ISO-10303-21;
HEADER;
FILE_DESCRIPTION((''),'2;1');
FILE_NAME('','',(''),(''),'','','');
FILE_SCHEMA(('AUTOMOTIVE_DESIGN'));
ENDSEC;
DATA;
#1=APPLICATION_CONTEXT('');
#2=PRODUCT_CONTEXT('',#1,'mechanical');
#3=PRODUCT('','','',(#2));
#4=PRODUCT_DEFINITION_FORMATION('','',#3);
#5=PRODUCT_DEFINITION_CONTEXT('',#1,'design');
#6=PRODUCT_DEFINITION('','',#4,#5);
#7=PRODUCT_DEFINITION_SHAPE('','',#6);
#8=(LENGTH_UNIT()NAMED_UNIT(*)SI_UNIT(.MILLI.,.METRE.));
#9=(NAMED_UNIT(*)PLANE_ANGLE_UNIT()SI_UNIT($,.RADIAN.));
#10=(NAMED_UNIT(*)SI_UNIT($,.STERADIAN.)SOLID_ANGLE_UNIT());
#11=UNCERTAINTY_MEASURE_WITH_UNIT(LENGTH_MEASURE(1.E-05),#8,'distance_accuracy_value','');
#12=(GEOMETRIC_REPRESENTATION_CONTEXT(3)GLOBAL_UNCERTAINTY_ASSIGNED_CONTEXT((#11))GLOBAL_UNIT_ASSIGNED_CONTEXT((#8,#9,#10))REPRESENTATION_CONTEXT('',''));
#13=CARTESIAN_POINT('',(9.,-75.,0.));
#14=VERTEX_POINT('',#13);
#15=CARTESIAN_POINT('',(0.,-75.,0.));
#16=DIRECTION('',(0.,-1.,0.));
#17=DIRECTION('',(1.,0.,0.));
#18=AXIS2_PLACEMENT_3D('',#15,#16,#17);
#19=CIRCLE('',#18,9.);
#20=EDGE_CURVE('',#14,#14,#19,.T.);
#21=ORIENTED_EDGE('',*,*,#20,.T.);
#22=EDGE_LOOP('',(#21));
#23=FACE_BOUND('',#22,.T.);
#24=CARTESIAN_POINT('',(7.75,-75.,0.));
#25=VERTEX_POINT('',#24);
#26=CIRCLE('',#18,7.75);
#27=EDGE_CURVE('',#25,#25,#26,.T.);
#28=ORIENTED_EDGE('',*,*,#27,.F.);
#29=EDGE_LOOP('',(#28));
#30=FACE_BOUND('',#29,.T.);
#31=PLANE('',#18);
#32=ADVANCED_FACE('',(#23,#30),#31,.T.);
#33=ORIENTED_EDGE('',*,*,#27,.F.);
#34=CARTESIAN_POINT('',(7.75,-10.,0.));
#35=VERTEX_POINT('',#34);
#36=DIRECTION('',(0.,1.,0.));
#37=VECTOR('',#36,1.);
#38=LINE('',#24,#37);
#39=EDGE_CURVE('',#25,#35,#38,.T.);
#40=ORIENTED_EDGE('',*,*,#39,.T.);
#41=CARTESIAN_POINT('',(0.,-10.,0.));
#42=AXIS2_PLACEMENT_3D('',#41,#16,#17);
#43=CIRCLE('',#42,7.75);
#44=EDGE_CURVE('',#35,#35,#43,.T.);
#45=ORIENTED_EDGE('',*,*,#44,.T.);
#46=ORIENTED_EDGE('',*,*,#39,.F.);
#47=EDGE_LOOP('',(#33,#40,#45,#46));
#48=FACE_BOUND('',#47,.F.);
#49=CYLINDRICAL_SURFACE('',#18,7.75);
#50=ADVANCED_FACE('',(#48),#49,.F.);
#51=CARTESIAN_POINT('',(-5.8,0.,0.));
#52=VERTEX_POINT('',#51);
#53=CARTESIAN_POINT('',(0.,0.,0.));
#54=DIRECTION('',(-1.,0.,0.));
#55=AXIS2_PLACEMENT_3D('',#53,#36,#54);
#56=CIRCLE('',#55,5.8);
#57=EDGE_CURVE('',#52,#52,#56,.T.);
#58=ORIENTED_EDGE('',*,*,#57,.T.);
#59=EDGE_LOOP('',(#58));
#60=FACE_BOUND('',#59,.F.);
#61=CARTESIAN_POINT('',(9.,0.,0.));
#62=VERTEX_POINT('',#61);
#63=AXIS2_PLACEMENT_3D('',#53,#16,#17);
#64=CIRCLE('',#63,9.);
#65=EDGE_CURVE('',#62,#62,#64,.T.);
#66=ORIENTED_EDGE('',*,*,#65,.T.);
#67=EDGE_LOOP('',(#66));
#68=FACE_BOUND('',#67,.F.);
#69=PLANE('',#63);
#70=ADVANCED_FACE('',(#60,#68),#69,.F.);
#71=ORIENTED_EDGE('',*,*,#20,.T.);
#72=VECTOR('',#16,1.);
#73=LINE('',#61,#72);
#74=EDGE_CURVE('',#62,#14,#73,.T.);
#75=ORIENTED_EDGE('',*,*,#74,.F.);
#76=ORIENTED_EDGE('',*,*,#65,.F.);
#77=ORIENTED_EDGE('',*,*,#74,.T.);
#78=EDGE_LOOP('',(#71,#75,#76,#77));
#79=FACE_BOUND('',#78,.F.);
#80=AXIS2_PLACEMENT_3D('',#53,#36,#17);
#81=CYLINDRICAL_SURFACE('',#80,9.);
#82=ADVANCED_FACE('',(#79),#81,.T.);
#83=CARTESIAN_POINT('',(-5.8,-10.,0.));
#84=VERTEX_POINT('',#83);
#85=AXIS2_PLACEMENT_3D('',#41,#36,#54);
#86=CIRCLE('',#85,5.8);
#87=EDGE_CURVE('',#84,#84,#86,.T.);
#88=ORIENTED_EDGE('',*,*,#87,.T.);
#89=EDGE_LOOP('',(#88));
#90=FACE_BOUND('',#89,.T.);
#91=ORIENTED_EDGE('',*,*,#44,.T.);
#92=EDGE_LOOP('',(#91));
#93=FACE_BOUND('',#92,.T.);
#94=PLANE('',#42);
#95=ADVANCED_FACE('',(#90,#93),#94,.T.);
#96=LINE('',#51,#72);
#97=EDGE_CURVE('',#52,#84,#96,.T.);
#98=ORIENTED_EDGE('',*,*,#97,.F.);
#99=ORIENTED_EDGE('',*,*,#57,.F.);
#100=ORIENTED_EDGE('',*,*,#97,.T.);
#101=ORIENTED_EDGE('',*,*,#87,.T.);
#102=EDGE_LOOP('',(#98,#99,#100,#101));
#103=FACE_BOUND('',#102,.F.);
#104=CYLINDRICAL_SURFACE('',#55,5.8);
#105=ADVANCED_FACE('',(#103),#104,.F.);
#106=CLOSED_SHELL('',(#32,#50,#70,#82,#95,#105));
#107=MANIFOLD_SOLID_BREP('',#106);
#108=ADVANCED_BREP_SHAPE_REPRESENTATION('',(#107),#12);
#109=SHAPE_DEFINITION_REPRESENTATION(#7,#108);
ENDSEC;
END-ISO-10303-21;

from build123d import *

# Parameters (mm, degrees)
F0_R     = 9
F1_DEPTH = 75
F2_R     = 7.75
F3_DEPTH = 65
F4_R     = 5.8
F5_DEPTH = 75.001


with BuildPart() as f1:
    # F0 (on Front) → F1 (new body)
    with BuildSketch(Plane.XZ):
        Circle(F0_R)
    extrude(amount=F1_DEPTH)

    # F2 (on face) → F3 (cut)
    with BuildSketch(Plane.XZ.offset(75)):
        Circle(F2_R)
    extrude(amount=-F3_DEPTH, mode=Mode.SUBTRACT)

    # F4 (on face) → F5 (cut, through all)
    with BuildSketch(Plane(origin=(0, 0, 0), x_dir=(-1, 0, 0), z_dir=(0, 1, 0))):
        Circle(F4_R)
    extrude(amount=-F5_DEPTH, mode=Mode.SUBTRACT)


solid = f1.part
